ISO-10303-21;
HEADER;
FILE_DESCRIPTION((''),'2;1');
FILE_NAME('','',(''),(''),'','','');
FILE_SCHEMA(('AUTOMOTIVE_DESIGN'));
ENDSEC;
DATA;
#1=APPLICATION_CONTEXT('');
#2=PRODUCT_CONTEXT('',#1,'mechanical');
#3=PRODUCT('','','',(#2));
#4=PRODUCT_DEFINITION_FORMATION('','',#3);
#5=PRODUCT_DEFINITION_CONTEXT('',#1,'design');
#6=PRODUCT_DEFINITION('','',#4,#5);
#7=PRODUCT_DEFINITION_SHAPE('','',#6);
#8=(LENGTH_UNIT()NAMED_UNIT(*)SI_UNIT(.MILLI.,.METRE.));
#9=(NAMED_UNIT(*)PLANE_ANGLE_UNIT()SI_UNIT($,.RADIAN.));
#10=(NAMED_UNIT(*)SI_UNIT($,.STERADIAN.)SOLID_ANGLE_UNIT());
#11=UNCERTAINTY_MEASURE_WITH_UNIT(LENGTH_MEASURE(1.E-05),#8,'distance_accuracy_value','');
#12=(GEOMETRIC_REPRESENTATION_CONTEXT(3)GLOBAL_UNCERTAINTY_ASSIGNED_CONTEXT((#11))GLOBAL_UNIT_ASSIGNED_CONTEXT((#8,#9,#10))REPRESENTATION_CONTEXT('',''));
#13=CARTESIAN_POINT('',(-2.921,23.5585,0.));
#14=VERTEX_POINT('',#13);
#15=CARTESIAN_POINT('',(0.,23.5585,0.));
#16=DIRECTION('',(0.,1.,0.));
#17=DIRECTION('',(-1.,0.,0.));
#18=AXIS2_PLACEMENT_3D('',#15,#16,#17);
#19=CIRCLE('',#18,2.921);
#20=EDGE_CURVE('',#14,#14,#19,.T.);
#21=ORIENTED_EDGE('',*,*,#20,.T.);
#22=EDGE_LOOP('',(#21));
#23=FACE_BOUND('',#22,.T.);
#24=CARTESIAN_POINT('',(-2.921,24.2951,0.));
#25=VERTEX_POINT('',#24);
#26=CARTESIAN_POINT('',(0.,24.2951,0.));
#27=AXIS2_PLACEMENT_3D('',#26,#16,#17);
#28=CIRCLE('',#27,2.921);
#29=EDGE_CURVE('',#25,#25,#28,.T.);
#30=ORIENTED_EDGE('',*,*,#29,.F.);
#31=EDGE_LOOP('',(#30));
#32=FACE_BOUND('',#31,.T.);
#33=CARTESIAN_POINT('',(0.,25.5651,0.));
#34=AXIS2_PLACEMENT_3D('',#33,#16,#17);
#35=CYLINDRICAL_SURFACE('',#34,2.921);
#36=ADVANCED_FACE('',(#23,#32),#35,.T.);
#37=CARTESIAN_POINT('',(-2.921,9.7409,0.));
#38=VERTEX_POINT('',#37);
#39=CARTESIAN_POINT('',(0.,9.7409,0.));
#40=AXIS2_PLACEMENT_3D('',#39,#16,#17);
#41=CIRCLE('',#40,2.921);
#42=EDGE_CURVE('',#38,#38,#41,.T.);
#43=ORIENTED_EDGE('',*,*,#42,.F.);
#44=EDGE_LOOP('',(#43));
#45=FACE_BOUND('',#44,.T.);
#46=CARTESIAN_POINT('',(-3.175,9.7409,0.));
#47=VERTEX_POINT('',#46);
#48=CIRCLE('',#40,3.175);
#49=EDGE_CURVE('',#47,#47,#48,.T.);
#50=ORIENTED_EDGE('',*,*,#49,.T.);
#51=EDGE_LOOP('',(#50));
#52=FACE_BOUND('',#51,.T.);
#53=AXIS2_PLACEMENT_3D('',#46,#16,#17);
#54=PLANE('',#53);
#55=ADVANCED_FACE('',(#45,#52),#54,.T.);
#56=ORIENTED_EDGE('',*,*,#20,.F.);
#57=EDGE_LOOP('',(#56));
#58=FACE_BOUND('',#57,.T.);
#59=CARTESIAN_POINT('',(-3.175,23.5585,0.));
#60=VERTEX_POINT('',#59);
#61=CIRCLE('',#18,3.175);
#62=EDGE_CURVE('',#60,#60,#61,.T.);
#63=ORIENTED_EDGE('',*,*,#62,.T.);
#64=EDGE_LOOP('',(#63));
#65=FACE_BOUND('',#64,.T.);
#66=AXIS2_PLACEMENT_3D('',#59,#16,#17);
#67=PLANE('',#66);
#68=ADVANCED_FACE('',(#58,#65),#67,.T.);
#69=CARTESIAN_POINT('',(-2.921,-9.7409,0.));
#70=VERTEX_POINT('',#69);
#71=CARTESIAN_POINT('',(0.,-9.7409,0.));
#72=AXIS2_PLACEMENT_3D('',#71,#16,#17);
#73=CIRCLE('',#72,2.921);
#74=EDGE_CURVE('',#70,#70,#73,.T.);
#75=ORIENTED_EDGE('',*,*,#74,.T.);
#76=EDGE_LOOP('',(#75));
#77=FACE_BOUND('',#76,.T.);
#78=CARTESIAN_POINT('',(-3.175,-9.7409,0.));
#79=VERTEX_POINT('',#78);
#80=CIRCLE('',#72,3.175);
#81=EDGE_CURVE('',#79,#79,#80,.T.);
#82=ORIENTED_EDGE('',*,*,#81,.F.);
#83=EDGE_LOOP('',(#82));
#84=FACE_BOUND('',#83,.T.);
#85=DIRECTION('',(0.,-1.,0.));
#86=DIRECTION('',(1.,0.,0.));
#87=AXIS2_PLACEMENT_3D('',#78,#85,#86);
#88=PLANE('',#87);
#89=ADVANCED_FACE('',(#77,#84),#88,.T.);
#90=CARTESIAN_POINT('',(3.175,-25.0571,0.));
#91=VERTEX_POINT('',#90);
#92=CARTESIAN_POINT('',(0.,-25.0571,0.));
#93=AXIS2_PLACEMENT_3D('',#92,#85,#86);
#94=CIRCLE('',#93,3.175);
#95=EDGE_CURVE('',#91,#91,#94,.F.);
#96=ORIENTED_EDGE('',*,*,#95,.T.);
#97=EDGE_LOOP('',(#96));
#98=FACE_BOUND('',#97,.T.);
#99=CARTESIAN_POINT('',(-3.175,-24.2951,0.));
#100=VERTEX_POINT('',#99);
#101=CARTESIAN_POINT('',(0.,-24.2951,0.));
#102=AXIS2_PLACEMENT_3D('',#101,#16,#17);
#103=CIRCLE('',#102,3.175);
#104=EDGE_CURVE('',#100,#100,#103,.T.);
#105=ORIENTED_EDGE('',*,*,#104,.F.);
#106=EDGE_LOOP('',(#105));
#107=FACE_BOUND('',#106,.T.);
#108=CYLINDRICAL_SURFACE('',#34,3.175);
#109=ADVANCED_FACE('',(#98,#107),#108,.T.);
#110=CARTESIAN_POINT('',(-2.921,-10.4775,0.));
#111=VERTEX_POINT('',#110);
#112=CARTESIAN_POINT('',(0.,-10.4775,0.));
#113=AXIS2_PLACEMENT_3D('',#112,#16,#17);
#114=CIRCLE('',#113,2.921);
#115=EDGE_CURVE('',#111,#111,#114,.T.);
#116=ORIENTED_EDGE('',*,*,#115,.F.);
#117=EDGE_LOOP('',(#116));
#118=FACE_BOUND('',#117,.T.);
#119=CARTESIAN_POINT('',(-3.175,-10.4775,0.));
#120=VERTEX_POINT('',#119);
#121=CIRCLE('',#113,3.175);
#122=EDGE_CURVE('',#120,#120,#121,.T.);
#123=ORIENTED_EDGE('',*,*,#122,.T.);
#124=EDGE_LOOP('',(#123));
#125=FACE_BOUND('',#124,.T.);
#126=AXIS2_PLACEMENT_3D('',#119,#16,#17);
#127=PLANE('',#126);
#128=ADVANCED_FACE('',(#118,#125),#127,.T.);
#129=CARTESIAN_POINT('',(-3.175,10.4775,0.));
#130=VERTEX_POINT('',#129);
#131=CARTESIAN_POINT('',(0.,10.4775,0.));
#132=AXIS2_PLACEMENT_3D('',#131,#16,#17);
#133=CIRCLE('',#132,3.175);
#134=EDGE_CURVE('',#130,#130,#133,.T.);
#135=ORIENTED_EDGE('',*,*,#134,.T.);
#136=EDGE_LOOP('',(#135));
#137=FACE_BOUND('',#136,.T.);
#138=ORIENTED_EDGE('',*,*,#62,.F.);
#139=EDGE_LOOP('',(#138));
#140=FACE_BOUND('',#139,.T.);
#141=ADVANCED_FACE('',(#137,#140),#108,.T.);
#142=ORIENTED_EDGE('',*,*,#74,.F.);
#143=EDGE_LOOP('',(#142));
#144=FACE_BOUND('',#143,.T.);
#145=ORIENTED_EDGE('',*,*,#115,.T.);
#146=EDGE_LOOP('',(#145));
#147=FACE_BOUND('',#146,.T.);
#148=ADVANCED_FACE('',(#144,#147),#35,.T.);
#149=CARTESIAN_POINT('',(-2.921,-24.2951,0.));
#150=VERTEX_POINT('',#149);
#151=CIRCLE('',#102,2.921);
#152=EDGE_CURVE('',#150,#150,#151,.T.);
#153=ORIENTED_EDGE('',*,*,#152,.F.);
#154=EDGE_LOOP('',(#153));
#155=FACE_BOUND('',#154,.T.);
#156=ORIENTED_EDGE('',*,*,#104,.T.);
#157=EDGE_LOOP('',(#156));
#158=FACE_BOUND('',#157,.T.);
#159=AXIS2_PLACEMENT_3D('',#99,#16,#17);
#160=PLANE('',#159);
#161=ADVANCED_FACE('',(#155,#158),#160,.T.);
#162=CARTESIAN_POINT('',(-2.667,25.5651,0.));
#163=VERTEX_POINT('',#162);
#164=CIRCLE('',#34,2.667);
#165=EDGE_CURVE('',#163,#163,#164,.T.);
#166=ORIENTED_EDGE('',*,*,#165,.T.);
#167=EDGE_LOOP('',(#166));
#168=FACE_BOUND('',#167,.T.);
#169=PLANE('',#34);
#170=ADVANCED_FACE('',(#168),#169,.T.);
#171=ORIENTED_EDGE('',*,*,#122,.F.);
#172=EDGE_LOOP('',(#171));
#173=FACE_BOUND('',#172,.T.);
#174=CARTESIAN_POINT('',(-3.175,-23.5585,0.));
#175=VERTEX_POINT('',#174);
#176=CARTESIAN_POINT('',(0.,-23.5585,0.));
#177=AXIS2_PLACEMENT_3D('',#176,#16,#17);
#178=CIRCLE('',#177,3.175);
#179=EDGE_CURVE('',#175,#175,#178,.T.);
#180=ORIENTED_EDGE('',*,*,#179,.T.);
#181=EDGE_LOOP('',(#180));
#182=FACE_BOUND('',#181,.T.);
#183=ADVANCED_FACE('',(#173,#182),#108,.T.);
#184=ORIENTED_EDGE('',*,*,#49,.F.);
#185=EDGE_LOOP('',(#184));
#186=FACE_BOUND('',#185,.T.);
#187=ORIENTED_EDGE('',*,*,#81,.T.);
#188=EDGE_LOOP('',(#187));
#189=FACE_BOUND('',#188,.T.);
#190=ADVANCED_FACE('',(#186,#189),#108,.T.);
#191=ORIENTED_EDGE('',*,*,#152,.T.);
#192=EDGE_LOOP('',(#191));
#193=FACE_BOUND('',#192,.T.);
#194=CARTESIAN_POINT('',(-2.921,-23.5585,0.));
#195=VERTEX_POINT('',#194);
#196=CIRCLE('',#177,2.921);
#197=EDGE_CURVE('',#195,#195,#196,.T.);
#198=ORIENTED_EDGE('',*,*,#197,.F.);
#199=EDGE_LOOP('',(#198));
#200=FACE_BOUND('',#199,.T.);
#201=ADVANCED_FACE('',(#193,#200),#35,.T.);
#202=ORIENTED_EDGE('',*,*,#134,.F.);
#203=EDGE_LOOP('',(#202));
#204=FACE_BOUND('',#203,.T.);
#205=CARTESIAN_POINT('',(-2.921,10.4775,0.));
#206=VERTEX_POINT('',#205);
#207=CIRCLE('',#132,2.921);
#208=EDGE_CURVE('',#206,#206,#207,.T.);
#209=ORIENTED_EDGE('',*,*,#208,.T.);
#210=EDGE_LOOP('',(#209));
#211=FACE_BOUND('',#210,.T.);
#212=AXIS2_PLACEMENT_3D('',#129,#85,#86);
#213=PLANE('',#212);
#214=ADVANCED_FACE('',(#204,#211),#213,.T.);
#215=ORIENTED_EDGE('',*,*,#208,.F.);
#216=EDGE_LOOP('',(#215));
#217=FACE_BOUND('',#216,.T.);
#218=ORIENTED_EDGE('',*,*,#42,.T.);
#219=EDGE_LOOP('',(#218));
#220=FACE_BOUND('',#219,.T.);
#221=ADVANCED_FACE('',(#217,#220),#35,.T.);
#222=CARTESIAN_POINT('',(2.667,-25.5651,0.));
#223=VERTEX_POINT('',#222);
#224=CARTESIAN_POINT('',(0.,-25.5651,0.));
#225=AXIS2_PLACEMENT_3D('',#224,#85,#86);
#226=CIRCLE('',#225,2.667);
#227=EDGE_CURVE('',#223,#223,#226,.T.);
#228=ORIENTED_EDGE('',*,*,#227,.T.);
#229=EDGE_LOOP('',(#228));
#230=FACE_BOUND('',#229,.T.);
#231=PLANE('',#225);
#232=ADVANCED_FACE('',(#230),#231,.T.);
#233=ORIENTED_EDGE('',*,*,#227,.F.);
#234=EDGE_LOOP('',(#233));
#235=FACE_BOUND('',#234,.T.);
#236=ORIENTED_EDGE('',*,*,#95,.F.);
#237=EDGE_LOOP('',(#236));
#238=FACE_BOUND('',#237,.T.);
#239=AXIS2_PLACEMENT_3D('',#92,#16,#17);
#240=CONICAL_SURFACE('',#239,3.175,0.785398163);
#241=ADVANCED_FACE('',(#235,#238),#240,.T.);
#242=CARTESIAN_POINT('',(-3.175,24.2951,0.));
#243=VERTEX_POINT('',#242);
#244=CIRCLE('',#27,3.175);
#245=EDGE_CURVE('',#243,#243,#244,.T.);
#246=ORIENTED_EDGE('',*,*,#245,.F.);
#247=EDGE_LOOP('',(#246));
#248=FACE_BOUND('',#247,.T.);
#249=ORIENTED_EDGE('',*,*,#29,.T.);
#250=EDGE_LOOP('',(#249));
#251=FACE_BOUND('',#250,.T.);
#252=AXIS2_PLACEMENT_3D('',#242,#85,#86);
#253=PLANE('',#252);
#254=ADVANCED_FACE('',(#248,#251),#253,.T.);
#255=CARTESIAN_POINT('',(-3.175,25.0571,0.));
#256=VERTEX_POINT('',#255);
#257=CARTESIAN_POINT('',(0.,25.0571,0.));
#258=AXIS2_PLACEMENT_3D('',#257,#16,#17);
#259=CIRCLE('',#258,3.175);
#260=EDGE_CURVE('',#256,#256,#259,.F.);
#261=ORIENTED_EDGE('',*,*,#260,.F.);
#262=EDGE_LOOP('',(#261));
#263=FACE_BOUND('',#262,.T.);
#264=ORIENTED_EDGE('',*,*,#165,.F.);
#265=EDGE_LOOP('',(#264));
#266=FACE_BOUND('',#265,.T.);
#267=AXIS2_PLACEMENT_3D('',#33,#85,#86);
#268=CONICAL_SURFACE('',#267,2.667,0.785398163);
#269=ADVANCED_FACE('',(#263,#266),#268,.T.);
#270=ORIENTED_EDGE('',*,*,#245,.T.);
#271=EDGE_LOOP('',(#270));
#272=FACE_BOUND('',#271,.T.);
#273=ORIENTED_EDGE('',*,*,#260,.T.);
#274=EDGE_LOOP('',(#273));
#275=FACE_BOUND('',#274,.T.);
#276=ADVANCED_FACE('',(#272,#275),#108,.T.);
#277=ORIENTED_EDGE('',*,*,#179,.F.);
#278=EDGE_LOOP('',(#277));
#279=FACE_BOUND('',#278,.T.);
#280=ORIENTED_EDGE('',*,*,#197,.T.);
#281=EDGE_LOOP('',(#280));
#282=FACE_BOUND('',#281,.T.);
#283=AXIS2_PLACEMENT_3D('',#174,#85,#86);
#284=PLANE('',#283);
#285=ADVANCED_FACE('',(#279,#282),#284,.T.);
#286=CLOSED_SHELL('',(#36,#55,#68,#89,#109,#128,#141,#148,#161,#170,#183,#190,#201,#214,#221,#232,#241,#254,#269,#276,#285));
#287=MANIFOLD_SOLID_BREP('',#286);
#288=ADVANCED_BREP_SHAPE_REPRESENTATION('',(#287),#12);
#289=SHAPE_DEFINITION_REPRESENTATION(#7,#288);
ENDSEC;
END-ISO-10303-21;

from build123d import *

# Parameters (mm, degrees)
CHAMFER1_SIZE = 0.508


with BuildPart() as part:
    # Sketch1 → Revolve1 (revolve)
    with BuildSketch(Plane.XY):
        Polygon((-3.175, 23.5585), (-3.175, 10.4775), (-2.921, 10.4775), (-2.921, 9.7409), (-3.175, 9.7409), (-3.175, -9.7409), (-2.921, -9.7409), (-2.921, -10.4775), (-3.175, -10.4775), (-3.175, -23.5585), (-2.921, -23.5585), (-2.921, -24.2951), (-3.175, -24.2951), (-3.175, -25.5651), (0, -25.5651), (0, 25.5651), (-3.175, 25.5651), (-3.175, 24.2951), (-2.921, 24.2951), (-2.921, 23.5585), align=None)
    revolve(axis=Axis((0, 25.5651, 0), (0, -1, 0)))

    # Chamfer1
    chamfer1_edges = [part.edges().sort_by_distance(p)[0] for p in [
        (3.175, 25.5651, 0),
        (3.175, -25.5651, 0),
    ]]
    chamfer(chamfer1_edges, length=CHAMFER1_SIZE)


solid = part.part
